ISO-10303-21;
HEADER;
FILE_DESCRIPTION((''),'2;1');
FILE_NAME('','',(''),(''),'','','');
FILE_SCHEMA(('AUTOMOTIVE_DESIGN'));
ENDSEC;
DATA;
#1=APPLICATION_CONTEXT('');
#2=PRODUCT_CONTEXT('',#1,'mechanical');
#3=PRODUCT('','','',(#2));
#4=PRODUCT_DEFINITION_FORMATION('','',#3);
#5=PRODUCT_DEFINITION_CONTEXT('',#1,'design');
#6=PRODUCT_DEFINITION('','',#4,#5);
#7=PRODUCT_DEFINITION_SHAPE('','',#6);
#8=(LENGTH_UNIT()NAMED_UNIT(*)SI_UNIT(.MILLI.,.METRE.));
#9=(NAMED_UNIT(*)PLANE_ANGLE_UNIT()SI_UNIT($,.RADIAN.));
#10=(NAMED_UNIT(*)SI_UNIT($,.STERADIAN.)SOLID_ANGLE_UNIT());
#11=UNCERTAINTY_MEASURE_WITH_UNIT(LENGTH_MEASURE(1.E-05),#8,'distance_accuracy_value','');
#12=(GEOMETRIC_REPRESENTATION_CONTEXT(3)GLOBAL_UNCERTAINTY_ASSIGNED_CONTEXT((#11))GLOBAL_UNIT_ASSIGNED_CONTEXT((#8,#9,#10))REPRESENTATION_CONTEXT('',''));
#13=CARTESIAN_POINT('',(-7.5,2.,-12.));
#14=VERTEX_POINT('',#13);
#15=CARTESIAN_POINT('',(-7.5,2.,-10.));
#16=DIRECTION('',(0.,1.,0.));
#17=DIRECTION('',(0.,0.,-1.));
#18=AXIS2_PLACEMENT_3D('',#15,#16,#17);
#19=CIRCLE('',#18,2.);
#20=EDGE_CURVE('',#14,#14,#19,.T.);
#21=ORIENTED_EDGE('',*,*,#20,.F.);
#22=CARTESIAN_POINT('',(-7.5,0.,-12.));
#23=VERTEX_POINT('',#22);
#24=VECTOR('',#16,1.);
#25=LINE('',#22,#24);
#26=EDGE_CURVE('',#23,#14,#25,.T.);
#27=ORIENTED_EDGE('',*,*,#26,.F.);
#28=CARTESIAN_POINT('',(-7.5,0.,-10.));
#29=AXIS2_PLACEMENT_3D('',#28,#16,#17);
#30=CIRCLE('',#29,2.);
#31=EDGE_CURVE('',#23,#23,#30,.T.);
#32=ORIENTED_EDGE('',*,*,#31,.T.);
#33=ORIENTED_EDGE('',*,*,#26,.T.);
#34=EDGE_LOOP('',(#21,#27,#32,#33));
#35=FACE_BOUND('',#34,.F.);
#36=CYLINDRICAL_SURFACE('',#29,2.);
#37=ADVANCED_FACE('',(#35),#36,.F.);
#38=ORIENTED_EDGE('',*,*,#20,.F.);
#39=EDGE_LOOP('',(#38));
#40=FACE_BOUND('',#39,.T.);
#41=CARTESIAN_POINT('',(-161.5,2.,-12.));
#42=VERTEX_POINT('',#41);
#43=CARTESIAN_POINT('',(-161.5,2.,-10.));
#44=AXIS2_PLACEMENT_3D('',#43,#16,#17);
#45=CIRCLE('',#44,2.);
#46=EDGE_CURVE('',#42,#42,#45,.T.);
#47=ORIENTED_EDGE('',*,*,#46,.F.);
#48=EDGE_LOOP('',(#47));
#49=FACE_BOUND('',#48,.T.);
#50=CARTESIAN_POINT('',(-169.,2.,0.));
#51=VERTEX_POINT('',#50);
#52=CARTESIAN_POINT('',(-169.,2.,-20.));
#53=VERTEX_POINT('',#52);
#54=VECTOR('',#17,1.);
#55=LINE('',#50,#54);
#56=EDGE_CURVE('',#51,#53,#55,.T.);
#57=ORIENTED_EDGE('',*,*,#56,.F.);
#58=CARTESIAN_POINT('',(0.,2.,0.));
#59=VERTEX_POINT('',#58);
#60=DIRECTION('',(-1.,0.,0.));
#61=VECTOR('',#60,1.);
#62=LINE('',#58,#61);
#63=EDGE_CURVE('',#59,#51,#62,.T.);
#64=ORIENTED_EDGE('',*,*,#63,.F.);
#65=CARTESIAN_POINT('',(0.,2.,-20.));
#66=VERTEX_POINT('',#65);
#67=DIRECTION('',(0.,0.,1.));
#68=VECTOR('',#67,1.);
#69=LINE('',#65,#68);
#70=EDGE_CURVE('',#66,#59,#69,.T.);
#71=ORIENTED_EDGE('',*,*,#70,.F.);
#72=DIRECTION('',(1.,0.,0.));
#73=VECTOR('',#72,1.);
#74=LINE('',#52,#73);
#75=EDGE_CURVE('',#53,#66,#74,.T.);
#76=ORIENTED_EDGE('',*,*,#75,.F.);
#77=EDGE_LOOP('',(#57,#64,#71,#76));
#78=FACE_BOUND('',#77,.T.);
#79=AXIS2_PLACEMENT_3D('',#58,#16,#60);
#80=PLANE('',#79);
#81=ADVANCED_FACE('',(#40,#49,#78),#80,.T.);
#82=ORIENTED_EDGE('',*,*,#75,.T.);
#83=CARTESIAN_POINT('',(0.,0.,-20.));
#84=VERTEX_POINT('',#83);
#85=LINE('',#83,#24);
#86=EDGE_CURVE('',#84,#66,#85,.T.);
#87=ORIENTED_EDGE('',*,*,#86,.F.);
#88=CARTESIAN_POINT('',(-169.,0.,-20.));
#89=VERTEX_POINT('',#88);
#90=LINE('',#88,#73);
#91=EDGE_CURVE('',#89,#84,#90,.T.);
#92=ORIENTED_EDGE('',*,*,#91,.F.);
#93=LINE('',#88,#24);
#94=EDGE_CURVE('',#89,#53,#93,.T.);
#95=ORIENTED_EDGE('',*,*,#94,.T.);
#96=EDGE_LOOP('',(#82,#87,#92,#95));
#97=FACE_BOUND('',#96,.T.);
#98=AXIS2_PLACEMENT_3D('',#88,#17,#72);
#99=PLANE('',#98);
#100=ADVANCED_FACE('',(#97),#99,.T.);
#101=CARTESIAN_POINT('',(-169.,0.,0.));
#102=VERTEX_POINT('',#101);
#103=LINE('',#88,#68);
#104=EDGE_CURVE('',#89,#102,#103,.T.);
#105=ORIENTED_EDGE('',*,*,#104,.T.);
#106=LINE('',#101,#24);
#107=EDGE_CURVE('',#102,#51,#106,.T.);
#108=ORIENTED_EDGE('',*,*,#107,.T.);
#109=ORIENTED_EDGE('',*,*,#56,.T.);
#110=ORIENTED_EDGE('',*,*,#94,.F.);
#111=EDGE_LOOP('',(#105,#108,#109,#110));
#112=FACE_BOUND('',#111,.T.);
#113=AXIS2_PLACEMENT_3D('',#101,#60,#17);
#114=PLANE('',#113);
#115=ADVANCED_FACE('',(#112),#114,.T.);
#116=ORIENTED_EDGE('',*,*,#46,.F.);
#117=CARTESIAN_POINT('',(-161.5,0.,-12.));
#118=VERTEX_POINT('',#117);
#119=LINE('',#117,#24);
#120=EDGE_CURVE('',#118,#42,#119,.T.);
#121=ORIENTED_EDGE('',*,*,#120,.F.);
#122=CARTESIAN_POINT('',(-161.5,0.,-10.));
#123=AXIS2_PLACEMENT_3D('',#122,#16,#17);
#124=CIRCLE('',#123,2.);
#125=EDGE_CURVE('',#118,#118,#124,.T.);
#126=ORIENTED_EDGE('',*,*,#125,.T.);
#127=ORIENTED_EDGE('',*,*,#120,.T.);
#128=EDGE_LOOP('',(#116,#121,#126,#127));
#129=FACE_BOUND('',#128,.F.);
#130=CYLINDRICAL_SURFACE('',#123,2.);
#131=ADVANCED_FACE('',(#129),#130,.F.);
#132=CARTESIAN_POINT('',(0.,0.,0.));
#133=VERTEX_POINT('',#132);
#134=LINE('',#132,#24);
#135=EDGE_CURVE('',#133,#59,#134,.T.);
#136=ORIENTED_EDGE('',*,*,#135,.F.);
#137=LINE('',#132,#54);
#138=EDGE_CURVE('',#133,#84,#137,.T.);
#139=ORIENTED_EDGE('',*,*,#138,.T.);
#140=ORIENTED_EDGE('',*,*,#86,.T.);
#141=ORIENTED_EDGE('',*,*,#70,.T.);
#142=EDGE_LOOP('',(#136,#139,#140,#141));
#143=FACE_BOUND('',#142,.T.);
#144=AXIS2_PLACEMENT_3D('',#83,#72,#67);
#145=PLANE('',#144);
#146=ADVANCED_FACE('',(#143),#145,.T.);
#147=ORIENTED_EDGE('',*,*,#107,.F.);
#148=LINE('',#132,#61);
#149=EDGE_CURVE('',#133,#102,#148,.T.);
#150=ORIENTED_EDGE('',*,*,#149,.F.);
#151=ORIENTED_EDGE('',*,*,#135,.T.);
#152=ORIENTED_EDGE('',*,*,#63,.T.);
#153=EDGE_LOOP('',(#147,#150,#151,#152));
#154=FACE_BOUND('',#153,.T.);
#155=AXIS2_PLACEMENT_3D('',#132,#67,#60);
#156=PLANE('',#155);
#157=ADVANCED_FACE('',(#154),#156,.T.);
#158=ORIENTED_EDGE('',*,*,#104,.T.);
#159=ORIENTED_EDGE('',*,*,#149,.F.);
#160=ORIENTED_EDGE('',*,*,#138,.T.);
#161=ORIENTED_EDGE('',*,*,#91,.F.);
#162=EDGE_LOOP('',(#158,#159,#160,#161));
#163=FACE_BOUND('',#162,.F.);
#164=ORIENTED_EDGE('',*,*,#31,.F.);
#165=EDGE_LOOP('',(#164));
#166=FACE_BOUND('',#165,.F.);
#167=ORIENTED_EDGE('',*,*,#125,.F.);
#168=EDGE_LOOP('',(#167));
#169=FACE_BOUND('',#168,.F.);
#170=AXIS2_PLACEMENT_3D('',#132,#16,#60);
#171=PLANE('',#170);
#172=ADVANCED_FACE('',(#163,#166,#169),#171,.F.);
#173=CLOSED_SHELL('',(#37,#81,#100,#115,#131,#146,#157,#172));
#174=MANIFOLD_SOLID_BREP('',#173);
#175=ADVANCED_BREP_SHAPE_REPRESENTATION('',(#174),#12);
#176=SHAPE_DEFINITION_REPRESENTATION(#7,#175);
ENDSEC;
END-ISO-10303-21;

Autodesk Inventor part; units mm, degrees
ref_plane "YZ Plane" through (0, 0, 0) normal (1, 0, 0) x (0, 1, 0)
ref_plane "XZ Plane" through (0, 0, 0) normal (0, 1, 0) x (-1, 0, 0)
ref_plane "XY Plane" through (0, 0, 0) normal (0, 0, 1) x (1, 0, 0)
sketch "Sketch1" plane through (0, 0, 0) normal (0, 1, 0) x (-1, 0, 0)
  line L0 (0, 0) -> (169, 0)
  line L1 (169, 0) -> (169, -20)
  line L2 (169, -20) -> (0, -20)
  line L3 (0, -20) -> (0, 0)
  dimension "d0" = 169
  dimension "d1" = 20
extrude "Extrusion1" add sketch "Sketch1" along normal blind 2
sketch "Sketch2" plane through (0, 0, 0) normal (0, -1, 0) x (1, 0, 0)
  line L0 (0, 0) -> (0, -20) projected
  line L1 (0, -10) -> (-169, -10) construction
  line L2 (-169, -20) -> (-169, 0) projected
  line L3 (-84.5, -10) -> (-84.5, 52.7002) construction
  point P0 (-161.5, -10)
  point P1 (-7.5, -10)
  dimension "d6" = 154
hole "Hole1" at (-161.5, 0, -10) at (-7.5, 0, -10) direction (0, 1, 0) diameter 4 end through all
sketch "Sketch3" plane through (0, 0, 0) normal (0, -1, 0) x (1, 0, 0)
  line L0 (-169, -20) -> (-169, 0) construction
  line L1 (-169, -10) -> (0, -10) construction
  line L2 (0, 0) -> (0, -20) construction
  line L3 (-169, 0.75) -> (0, 0.75)
  line L4 (-169, 0.75) -> (-169, -10)
  line L5 (0, 0.75) -> (0, -10)
  line L6 (-169, -20.75) -> (0, -20.75)
  line L7 (-169, -20.75) -> (-169, -10)
  line L8 (0, -20.75) -> (0, -10)
  dimension "d15" = 21.5
extrude "Extrusion2" cut sketch "Sketch3" against normal blind 10 keep common part
properties part number "ballastBar" material "Steel"
